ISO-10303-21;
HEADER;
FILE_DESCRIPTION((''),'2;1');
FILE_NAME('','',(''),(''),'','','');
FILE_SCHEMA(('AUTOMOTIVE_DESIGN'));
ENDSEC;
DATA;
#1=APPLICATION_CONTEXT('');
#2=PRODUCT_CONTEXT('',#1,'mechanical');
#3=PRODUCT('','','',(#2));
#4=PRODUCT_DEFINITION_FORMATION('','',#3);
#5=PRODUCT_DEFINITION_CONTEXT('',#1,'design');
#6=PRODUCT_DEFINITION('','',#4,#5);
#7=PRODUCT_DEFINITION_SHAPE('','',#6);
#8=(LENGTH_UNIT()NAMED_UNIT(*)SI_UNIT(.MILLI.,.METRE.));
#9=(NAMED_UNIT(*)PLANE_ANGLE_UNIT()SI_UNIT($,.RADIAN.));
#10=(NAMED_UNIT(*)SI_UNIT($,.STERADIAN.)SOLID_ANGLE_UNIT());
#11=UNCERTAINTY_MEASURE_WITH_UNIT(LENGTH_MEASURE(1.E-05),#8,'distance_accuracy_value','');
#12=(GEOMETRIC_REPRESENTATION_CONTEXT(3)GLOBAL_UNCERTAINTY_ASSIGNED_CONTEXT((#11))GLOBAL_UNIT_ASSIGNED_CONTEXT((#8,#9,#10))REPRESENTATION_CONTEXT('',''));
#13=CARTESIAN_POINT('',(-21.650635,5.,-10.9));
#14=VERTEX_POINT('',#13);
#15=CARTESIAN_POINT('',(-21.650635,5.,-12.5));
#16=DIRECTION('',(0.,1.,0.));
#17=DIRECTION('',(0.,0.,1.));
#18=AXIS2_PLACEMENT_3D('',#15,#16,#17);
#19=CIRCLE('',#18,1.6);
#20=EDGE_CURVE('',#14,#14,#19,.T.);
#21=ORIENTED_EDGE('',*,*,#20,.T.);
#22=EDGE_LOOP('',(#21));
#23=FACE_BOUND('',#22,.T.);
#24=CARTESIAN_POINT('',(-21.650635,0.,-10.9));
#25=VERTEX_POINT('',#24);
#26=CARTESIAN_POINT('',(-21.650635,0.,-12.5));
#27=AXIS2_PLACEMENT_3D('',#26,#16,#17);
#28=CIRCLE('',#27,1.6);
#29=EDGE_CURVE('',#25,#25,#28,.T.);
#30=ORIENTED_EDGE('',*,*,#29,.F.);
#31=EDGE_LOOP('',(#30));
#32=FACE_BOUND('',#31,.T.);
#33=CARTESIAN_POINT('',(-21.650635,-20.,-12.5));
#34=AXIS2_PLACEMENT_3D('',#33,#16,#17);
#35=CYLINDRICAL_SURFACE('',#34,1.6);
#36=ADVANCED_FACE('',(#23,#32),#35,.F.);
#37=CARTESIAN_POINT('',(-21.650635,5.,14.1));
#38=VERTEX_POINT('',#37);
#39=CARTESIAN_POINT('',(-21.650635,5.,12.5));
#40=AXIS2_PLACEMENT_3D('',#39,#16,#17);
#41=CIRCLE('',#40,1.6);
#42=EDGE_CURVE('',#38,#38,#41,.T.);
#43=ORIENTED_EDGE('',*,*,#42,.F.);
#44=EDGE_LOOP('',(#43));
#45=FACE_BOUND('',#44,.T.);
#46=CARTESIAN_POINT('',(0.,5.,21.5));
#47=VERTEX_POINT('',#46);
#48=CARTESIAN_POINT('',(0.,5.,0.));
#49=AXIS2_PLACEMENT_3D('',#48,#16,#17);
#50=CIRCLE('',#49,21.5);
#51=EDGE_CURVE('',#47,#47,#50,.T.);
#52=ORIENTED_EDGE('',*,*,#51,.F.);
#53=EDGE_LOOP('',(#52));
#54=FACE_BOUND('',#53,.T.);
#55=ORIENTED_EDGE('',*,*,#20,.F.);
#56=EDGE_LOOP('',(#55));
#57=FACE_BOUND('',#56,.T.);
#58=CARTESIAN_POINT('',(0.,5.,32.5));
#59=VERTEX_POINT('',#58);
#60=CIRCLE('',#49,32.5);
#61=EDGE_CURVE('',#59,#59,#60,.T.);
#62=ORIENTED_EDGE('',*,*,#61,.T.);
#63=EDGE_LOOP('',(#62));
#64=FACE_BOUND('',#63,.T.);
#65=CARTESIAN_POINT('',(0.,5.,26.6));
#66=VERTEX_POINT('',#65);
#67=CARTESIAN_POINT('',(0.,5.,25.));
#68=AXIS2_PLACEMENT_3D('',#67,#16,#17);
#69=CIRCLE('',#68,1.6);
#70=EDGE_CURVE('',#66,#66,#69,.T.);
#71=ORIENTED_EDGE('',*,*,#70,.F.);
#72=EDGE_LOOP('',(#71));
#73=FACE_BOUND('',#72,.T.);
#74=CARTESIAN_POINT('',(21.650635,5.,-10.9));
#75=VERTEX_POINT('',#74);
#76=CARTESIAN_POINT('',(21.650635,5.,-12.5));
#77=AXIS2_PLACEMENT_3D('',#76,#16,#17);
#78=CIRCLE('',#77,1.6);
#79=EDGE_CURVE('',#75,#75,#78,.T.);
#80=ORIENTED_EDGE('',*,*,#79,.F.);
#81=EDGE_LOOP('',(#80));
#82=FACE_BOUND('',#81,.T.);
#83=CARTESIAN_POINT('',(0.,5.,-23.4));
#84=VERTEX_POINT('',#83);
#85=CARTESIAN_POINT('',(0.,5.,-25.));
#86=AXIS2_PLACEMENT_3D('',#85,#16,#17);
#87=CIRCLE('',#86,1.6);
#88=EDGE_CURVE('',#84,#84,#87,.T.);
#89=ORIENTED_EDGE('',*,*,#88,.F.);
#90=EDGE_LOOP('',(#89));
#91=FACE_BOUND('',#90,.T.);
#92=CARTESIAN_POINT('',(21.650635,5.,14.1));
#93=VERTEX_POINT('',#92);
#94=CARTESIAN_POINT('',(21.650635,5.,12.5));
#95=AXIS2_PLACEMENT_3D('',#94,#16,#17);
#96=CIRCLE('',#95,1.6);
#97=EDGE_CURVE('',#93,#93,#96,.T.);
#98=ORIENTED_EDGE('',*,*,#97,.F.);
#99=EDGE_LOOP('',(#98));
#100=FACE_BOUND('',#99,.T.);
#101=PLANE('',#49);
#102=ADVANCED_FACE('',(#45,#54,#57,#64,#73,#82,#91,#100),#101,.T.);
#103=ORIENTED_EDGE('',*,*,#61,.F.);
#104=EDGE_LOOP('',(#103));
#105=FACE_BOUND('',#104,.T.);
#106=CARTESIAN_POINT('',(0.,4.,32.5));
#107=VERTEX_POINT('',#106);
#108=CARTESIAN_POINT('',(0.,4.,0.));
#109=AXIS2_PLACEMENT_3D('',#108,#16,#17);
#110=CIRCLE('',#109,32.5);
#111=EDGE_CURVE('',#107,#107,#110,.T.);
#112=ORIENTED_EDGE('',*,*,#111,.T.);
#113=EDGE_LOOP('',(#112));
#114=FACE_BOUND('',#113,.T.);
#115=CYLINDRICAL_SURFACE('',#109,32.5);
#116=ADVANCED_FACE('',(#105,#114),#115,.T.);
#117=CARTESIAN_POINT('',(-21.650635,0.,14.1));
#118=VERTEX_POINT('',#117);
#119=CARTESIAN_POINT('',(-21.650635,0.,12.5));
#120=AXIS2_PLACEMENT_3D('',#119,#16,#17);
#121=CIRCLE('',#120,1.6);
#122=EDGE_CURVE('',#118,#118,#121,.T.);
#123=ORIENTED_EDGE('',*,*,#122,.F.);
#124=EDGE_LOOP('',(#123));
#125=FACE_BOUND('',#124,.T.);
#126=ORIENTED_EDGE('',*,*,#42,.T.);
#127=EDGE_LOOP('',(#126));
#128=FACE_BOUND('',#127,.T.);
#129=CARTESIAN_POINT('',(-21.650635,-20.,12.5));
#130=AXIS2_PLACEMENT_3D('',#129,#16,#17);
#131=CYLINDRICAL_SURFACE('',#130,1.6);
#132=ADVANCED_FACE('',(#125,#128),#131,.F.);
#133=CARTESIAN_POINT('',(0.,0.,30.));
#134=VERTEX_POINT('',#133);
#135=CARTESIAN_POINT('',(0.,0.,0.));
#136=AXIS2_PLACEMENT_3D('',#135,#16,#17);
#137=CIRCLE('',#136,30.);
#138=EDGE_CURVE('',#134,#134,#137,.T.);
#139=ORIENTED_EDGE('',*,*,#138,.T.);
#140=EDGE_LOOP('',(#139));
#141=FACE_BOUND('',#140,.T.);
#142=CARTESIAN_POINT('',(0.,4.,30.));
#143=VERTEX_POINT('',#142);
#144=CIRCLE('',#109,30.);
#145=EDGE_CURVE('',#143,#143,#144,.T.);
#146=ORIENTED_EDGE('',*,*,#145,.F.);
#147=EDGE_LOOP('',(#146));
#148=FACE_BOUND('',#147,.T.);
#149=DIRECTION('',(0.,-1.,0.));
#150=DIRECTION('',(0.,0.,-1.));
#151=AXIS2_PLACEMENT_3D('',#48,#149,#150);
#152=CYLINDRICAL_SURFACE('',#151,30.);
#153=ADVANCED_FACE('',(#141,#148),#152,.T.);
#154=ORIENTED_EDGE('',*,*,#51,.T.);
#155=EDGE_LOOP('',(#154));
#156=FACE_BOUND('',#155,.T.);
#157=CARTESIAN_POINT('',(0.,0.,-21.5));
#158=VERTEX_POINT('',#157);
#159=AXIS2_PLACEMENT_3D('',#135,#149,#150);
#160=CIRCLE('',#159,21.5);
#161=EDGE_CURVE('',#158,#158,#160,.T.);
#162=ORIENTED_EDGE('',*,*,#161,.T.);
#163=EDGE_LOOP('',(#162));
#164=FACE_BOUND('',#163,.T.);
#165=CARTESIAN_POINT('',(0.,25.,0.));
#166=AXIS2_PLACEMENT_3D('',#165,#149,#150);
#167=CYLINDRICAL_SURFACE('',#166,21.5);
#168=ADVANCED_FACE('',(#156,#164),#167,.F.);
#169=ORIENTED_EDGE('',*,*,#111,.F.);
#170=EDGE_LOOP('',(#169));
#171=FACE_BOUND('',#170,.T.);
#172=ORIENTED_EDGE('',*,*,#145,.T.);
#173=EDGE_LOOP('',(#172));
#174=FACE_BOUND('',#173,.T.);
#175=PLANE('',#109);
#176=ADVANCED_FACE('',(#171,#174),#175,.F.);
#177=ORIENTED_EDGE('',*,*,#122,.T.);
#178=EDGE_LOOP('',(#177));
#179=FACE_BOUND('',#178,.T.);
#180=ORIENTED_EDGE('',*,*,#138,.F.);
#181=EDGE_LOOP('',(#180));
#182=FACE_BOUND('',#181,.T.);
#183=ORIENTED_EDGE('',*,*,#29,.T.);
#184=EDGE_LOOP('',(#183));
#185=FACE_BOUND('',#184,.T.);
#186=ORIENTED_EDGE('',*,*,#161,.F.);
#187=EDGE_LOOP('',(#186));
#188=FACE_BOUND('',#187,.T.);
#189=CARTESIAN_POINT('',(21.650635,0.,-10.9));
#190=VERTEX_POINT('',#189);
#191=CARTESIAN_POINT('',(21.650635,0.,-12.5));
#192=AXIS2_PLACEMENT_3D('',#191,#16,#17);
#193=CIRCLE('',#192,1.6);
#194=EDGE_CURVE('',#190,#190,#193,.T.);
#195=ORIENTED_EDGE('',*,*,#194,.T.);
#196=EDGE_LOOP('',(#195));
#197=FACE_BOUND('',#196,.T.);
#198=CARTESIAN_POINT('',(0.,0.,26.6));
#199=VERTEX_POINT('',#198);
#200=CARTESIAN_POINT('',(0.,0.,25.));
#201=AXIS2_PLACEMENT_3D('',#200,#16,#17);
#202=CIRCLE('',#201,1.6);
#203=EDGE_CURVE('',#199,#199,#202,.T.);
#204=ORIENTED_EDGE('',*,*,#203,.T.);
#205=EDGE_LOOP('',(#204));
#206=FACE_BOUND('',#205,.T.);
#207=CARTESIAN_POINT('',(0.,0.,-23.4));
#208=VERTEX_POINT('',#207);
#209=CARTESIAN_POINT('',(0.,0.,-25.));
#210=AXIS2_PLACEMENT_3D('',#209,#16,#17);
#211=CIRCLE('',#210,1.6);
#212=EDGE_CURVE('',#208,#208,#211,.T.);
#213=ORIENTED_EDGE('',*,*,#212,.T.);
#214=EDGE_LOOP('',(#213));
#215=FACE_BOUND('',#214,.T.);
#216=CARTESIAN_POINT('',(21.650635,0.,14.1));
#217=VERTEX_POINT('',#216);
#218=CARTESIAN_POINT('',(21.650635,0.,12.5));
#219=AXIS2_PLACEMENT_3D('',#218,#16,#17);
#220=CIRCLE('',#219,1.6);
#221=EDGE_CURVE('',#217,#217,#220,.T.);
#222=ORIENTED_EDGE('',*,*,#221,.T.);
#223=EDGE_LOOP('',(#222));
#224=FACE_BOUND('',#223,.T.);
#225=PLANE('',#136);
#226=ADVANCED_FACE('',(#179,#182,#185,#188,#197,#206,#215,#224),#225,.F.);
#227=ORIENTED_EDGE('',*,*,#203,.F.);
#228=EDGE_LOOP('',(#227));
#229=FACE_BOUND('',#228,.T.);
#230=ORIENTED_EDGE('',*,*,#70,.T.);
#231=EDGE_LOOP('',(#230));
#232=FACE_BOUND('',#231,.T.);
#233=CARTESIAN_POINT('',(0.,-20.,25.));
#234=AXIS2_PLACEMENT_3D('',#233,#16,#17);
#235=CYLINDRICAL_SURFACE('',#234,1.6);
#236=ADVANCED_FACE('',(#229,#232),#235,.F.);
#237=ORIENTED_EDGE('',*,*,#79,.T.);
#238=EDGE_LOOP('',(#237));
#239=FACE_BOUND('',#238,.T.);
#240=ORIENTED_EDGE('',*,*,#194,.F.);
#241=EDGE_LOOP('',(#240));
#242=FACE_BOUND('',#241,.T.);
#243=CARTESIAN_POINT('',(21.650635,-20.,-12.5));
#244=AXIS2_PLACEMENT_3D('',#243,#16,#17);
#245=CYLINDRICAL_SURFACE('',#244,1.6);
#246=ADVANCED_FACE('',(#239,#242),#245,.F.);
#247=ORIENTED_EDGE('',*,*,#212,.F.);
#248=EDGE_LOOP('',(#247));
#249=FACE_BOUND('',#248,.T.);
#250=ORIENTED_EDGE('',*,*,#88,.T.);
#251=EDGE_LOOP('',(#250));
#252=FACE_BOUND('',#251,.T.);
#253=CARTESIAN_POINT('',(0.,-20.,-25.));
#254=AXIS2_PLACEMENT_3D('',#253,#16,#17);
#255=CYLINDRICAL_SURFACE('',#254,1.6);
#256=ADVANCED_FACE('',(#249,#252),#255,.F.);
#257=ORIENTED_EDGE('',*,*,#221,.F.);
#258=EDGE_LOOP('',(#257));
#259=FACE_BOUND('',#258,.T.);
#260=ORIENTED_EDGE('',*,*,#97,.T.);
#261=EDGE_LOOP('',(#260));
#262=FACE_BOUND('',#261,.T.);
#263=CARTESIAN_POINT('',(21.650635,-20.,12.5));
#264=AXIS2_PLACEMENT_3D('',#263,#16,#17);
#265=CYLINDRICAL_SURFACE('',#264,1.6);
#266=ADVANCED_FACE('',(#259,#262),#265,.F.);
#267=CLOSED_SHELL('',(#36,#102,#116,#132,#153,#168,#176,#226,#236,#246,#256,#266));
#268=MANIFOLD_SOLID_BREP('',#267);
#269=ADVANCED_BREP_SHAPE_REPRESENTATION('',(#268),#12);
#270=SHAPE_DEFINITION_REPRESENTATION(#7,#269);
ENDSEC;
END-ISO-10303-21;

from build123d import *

# Parameters (mm, degrees)
SKETCH1_R           = 30
BOSS_EXTRUDE1_DEPTH = 5
SKETCH2_R           = 32.5
BOSS_EXTRUDE2_DEPTH = 1
SKETCH3_R           = 21.5
CUT_EXTRUDE1_DEPTH  = 25
SKETCH4_R           = 1.6
CUT_EXTRUDE2_DEPTH  = 25


with BuildPart() as part:
    # Sketch1 → Boss-Extrude1 (new body)
    with BuildSketch(Plane(origin=(0, 0, 0), x_dir=(1, 0, 0), z_dir=(0, 1, 0))):
        with Locations(Location((0, 0, 0), (0, 0, 270))):
            Circle(SKETCH1_R)
    extrude(amount=BOSS_EXTRUDE1_DEPTH)

    # Sketch2 → Boss-Extrude2 (add)
    with BuildSketch(Plane(origin=(0, 5, 0), x_dir=(1, 0, 0), z_dir=(0, 1, 0))):
        with Locations(Location((0, 0, 0), (0, 0, 270))):
            Circle(SKETCH2_R)
    extrude(amount=-BOSS_EXTRUDE2_DEPTH)

    # Sketch3 → Cut-Extrude1 (cut)
    with BuildSketch(Plane.XZ):
        with Locations(Location((0, 0, 0), (0, 0, 270))):
            Circle(SKETCH3_R)
    extrude(amount=-CUT_EXTRUDE1_DEPTH, mode=Mode.SUBTRACT)

    # Sketch4 → Cut-Extrude2 (cut)
    with BuildSketch(Plane(origin=(0, 5, 0), x_dir=(1, 0, 0), z_dir=(0, 1, 0))):
        with Locations(Location((0, 25, 0), (0, 0, 270))):
            Circle(SKETCH4_R)
        with Locations(Location((21.650635095, 12.5, 0), (0, 0, 270))):
            Circle(SKETCH4_R)
        with Locations(Location((21.650635095, -12.5, 0), (0, 0, 270))):
            Circle(SKETCH4_R)
        with Locations(Location((0, -25, 0), (0, 0, 270))):
            Circle(SKETCH4_R)
        with Locations(Location((-21.650635095, -12.5, 0), (0, 0, 270))):
            Circle(SKETCH4_R)
        with Locations(Location((-21.650635095, 12.5, 0), (0, 0, 270))):
            Circle(SKETCH4_R)
    extrude(amount=-CUT_EXTRUDE2_DEPTH, mode=Mode.SUBTRACT)


solid = part.part
